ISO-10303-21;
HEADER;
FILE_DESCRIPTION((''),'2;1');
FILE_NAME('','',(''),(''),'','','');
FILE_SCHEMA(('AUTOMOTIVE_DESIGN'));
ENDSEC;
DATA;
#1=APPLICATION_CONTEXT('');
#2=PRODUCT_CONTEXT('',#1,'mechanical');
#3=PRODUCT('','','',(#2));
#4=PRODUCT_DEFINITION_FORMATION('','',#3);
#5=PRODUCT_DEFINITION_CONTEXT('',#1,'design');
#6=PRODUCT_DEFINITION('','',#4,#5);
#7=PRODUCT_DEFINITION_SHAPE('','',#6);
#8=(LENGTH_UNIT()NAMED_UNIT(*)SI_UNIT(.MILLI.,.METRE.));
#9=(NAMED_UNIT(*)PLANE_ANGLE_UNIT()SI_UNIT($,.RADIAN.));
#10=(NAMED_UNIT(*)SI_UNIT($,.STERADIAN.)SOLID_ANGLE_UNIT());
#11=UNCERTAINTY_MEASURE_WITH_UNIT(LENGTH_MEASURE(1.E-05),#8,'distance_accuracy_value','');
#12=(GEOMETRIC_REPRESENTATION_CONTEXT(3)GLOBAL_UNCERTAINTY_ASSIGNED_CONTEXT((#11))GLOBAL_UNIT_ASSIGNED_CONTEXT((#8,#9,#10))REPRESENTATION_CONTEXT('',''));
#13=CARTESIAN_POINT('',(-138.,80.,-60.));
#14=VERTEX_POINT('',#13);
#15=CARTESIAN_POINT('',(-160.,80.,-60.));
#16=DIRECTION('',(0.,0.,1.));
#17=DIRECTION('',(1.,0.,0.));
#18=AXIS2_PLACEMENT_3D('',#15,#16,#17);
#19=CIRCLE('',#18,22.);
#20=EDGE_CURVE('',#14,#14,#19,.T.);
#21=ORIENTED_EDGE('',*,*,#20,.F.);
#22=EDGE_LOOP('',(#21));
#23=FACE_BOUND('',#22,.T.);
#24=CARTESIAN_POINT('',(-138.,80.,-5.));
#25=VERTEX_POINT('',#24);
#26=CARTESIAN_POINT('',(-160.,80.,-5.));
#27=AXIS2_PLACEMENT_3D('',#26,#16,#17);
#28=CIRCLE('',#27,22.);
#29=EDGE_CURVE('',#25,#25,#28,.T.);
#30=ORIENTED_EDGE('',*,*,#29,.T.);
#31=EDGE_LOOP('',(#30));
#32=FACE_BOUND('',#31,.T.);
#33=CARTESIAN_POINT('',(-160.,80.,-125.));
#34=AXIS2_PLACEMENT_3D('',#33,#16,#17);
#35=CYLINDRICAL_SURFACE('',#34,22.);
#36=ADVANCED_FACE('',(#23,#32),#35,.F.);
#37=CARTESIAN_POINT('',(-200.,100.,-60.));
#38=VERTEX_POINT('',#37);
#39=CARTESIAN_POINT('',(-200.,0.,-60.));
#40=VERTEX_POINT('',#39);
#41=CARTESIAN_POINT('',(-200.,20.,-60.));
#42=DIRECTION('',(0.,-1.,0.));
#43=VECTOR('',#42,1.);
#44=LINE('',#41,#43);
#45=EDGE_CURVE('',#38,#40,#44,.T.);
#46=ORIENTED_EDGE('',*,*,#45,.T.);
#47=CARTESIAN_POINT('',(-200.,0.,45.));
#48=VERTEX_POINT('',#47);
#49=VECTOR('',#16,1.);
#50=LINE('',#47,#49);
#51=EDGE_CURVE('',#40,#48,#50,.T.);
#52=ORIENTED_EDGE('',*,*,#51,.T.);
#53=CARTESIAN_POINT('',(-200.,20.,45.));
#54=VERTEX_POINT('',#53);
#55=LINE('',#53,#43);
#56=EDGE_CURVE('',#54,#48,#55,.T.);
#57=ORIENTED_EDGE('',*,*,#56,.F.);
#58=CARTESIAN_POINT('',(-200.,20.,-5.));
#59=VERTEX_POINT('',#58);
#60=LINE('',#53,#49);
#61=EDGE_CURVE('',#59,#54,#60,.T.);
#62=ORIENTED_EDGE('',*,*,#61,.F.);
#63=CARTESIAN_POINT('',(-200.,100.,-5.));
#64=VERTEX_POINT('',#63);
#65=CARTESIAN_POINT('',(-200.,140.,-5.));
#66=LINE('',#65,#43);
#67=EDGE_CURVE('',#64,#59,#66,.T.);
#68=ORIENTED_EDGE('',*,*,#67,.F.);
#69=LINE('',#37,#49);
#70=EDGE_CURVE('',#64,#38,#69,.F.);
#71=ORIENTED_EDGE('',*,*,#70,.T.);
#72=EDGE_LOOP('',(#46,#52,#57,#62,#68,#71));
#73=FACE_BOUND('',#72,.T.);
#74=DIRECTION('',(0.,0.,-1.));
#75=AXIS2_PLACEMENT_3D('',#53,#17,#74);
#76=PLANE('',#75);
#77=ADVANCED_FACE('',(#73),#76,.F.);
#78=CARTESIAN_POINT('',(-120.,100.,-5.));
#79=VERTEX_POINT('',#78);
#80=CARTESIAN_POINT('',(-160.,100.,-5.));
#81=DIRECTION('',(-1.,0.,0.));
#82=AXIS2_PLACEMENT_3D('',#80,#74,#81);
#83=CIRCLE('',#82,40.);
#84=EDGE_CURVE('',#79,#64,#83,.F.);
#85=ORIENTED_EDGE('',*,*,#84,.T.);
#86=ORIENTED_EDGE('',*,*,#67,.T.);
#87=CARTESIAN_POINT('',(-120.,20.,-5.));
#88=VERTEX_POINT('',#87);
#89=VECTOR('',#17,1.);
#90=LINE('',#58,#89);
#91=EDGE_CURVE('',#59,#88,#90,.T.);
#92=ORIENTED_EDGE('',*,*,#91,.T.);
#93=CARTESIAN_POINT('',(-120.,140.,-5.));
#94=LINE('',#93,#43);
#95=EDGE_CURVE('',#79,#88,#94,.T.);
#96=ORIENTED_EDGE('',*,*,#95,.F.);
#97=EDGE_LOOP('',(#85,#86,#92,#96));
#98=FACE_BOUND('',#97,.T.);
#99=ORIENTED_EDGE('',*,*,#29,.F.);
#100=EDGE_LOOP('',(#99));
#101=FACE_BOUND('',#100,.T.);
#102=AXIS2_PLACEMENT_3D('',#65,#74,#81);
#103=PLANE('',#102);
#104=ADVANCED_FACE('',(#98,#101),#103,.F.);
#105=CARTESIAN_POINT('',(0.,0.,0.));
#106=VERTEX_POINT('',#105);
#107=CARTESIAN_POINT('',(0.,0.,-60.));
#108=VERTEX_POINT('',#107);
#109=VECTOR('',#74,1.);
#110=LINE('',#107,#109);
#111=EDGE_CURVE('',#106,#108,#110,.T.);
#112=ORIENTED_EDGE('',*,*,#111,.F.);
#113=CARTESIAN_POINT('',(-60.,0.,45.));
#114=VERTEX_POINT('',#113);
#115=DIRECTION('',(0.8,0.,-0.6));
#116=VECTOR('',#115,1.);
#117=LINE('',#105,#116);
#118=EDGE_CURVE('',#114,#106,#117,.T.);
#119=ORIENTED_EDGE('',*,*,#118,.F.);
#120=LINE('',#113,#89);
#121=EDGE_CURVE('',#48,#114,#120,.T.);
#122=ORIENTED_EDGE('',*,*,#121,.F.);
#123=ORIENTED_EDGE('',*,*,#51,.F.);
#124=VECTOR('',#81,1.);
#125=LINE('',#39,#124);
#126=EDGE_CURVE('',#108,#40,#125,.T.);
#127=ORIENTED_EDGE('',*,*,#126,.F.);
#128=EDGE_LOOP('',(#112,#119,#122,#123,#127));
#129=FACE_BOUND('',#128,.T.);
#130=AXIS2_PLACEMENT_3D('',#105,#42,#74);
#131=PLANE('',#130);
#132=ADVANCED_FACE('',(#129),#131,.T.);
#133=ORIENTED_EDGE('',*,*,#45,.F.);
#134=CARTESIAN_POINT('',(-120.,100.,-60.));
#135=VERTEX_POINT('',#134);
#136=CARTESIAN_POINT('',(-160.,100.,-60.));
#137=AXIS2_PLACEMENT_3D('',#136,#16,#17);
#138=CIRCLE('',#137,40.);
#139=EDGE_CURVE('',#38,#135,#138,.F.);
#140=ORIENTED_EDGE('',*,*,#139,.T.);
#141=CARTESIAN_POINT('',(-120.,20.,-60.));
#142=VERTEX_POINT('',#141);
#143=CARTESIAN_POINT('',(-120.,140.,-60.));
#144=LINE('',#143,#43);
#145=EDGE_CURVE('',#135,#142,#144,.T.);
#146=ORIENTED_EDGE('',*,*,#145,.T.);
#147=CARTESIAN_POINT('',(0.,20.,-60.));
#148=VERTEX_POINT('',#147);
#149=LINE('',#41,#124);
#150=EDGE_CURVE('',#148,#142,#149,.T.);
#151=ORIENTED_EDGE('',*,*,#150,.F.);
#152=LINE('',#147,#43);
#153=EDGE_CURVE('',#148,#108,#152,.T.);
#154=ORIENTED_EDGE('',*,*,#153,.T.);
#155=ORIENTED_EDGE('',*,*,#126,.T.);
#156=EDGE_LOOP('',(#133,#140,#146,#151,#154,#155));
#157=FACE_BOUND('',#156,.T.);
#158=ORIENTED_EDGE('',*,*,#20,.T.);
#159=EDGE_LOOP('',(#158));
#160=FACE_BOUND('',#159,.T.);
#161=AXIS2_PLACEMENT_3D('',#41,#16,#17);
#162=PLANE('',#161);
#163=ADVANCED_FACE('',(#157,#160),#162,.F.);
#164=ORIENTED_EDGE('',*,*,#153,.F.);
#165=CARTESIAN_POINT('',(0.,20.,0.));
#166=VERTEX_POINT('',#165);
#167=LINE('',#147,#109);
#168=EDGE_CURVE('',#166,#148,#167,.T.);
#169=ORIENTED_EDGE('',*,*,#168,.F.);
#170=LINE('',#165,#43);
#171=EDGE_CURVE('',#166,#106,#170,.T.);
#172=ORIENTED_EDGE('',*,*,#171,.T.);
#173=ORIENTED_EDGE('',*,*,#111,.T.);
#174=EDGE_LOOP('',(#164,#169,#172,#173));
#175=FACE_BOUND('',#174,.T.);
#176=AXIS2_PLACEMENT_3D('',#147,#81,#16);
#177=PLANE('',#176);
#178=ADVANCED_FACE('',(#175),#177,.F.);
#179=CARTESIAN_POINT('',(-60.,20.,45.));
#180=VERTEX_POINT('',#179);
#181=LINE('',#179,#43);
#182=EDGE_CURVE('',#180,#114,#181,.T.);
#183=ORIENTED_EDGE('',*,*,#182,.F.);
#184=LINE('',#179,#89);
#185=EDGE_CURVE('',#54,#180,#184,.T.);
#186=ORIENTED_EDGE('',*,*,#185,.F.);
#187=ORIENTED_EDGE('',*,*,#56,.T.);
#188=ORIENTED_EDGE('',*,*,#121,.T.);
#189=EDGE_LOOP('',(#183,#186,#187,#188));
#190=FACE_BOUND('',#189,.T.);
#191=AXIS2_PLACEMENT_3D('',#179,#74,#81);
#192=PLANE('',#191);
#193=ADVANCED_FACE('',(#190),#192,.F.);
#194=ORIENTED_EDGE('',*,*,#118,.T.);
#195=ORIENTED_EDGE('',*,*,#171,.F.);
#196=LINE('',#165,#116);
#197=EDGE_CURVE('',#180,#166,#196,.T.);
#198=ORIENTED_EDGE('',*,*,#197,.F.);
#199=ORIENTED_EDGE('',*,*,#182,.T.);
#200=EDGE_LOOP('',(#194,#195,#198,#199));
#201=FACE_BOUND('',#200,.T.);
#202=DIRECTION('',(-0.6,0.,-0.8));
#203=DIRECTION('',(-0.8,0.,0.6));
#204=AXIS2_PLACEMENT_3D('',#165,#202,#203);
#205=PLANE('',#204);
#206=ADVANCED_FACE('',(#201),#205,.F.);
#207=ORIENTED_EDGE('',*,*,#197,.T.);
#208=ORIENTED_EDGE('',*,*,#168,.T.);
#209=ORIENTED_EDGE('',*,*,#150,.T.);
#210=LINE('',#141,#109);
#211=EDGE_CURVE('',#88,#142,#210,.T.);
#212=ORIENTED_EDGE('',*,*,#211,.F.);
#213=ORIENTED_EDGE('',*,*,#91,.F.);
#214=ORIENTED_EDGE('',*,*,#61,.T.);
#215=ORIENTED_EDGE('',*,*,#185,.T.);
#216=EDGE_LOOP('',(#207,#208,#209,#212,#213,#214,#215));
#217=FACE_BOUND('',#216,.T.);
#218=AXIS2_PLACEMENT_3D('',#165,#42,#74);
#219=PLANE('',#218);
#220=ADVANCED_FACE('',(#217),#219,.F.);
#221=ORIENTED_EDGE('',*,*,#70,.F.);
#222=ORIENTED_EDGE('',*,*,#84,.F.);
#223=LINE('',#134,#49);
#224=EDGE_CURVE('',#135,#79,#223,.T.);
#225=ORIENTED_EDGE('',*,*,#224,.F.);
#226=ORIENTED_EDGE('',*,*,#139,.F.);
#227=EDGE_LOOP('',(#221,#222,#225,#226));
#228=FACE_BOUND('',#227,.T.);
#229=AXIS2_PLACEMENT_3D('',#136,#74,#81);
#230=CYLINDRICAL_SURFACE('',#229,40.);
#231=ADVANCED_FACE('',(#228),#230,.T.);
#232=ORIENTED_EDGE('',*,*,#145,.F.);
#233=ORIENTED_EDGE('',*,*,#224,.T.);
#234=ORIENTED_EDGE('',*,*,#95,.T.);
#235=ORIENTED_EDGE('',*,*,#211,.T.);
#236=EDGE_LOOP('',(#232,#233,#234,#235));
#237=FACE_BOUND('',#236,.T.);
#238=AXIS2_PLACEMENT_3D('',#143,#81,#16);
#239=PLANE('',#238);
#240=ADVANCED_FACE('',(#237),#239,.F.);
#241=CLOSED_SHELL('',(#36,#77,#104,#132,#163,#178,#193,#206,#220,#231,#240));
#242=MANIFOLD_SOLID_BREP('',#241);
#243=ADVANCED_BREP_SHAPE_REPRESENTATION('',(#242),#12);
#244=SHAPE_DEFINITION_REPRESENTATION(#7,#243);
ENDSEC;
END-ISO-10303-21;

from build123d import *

# Parameters (mm, degrees)
BOSS_EXTRUDE1_DEPTH = 20
SKETCH4_W           = 80
SKETCH4_H           = 55
BOSS_EXTRUDE3_DEPTH = 120
FILLET2_RADIUS      = 40
FILLET2_LENGTH      = 55
SKETCH5_R           = 22
CUT_EXTRUDE1_DEPTH  = 120


with BuildPart() as part:
    # Sketch1 → Boss-Extrude1 (new body)
    with BuildSketch(Plane(origin=(0, 0, 0), x_dir=(1, 0, 0), z_dir=(0, 1, 0))):
        Polygon((-200, 60), (0, 60), (0, 0), (-60, -45), (-200, -45), align=None)
    extrude(amount=BOSS_EXTRUDE1_DEPTH)

    # Sketch4 → Boss-Extrude3 (add)
    with BuildSketch(Plane(origin=(0, 20, 0), x_dir=(1, 0, 0), z_dir=(0, 1, 0))):
        with Locations((-160, 32.5)):
            Rectangle(SKETCH4_W, SKETCH4_H)
    extrude(amount=BOSS_EXTRUDE3_DEPTH)

    # Fillet2: full round fillet: the end face becomes a half cylinder, R = half its width
    fillet2_face = Plane((-160, 140, -32.5), x_dir=(0, 0, 1), z_dir=(0, 1, 0))  # on the end face: x along it, z out of the body
    fillet2_slab = fillet2_face.offset(-FILLET2_RADIUS / 2) * Box(FILLET2_LENGTH, 2 * FILLET2_RADIUS, FILLET2_RADIUS, mode=Mode.PRIVATE)  # the body's end, R deep
    fillet2_round = Plane((-160, 100, -32.5), x_dir=(0, 1, 0), z_dir=(0, 0, 1)) * Cylinder(FILLET2_RADIUS, FILLET2_LENGTH, mode=Mode.PRIVATE)  # its axis R under the face
    add(fillet2_slab - fillet2_round, mode=Mode.SUBTRACT)

    # Sketch5 → Cut-Extrude1 (cut)
    with BuildSketch(Plane.XY.offset(-5)):
        with Locations((-160, 80)):
            Circle(SKETCH5_R)
    extrude(amount=-CUT_EXTRUDE1_DEPTH, mode=Mode.SUBTRACT)


solid = part.part
